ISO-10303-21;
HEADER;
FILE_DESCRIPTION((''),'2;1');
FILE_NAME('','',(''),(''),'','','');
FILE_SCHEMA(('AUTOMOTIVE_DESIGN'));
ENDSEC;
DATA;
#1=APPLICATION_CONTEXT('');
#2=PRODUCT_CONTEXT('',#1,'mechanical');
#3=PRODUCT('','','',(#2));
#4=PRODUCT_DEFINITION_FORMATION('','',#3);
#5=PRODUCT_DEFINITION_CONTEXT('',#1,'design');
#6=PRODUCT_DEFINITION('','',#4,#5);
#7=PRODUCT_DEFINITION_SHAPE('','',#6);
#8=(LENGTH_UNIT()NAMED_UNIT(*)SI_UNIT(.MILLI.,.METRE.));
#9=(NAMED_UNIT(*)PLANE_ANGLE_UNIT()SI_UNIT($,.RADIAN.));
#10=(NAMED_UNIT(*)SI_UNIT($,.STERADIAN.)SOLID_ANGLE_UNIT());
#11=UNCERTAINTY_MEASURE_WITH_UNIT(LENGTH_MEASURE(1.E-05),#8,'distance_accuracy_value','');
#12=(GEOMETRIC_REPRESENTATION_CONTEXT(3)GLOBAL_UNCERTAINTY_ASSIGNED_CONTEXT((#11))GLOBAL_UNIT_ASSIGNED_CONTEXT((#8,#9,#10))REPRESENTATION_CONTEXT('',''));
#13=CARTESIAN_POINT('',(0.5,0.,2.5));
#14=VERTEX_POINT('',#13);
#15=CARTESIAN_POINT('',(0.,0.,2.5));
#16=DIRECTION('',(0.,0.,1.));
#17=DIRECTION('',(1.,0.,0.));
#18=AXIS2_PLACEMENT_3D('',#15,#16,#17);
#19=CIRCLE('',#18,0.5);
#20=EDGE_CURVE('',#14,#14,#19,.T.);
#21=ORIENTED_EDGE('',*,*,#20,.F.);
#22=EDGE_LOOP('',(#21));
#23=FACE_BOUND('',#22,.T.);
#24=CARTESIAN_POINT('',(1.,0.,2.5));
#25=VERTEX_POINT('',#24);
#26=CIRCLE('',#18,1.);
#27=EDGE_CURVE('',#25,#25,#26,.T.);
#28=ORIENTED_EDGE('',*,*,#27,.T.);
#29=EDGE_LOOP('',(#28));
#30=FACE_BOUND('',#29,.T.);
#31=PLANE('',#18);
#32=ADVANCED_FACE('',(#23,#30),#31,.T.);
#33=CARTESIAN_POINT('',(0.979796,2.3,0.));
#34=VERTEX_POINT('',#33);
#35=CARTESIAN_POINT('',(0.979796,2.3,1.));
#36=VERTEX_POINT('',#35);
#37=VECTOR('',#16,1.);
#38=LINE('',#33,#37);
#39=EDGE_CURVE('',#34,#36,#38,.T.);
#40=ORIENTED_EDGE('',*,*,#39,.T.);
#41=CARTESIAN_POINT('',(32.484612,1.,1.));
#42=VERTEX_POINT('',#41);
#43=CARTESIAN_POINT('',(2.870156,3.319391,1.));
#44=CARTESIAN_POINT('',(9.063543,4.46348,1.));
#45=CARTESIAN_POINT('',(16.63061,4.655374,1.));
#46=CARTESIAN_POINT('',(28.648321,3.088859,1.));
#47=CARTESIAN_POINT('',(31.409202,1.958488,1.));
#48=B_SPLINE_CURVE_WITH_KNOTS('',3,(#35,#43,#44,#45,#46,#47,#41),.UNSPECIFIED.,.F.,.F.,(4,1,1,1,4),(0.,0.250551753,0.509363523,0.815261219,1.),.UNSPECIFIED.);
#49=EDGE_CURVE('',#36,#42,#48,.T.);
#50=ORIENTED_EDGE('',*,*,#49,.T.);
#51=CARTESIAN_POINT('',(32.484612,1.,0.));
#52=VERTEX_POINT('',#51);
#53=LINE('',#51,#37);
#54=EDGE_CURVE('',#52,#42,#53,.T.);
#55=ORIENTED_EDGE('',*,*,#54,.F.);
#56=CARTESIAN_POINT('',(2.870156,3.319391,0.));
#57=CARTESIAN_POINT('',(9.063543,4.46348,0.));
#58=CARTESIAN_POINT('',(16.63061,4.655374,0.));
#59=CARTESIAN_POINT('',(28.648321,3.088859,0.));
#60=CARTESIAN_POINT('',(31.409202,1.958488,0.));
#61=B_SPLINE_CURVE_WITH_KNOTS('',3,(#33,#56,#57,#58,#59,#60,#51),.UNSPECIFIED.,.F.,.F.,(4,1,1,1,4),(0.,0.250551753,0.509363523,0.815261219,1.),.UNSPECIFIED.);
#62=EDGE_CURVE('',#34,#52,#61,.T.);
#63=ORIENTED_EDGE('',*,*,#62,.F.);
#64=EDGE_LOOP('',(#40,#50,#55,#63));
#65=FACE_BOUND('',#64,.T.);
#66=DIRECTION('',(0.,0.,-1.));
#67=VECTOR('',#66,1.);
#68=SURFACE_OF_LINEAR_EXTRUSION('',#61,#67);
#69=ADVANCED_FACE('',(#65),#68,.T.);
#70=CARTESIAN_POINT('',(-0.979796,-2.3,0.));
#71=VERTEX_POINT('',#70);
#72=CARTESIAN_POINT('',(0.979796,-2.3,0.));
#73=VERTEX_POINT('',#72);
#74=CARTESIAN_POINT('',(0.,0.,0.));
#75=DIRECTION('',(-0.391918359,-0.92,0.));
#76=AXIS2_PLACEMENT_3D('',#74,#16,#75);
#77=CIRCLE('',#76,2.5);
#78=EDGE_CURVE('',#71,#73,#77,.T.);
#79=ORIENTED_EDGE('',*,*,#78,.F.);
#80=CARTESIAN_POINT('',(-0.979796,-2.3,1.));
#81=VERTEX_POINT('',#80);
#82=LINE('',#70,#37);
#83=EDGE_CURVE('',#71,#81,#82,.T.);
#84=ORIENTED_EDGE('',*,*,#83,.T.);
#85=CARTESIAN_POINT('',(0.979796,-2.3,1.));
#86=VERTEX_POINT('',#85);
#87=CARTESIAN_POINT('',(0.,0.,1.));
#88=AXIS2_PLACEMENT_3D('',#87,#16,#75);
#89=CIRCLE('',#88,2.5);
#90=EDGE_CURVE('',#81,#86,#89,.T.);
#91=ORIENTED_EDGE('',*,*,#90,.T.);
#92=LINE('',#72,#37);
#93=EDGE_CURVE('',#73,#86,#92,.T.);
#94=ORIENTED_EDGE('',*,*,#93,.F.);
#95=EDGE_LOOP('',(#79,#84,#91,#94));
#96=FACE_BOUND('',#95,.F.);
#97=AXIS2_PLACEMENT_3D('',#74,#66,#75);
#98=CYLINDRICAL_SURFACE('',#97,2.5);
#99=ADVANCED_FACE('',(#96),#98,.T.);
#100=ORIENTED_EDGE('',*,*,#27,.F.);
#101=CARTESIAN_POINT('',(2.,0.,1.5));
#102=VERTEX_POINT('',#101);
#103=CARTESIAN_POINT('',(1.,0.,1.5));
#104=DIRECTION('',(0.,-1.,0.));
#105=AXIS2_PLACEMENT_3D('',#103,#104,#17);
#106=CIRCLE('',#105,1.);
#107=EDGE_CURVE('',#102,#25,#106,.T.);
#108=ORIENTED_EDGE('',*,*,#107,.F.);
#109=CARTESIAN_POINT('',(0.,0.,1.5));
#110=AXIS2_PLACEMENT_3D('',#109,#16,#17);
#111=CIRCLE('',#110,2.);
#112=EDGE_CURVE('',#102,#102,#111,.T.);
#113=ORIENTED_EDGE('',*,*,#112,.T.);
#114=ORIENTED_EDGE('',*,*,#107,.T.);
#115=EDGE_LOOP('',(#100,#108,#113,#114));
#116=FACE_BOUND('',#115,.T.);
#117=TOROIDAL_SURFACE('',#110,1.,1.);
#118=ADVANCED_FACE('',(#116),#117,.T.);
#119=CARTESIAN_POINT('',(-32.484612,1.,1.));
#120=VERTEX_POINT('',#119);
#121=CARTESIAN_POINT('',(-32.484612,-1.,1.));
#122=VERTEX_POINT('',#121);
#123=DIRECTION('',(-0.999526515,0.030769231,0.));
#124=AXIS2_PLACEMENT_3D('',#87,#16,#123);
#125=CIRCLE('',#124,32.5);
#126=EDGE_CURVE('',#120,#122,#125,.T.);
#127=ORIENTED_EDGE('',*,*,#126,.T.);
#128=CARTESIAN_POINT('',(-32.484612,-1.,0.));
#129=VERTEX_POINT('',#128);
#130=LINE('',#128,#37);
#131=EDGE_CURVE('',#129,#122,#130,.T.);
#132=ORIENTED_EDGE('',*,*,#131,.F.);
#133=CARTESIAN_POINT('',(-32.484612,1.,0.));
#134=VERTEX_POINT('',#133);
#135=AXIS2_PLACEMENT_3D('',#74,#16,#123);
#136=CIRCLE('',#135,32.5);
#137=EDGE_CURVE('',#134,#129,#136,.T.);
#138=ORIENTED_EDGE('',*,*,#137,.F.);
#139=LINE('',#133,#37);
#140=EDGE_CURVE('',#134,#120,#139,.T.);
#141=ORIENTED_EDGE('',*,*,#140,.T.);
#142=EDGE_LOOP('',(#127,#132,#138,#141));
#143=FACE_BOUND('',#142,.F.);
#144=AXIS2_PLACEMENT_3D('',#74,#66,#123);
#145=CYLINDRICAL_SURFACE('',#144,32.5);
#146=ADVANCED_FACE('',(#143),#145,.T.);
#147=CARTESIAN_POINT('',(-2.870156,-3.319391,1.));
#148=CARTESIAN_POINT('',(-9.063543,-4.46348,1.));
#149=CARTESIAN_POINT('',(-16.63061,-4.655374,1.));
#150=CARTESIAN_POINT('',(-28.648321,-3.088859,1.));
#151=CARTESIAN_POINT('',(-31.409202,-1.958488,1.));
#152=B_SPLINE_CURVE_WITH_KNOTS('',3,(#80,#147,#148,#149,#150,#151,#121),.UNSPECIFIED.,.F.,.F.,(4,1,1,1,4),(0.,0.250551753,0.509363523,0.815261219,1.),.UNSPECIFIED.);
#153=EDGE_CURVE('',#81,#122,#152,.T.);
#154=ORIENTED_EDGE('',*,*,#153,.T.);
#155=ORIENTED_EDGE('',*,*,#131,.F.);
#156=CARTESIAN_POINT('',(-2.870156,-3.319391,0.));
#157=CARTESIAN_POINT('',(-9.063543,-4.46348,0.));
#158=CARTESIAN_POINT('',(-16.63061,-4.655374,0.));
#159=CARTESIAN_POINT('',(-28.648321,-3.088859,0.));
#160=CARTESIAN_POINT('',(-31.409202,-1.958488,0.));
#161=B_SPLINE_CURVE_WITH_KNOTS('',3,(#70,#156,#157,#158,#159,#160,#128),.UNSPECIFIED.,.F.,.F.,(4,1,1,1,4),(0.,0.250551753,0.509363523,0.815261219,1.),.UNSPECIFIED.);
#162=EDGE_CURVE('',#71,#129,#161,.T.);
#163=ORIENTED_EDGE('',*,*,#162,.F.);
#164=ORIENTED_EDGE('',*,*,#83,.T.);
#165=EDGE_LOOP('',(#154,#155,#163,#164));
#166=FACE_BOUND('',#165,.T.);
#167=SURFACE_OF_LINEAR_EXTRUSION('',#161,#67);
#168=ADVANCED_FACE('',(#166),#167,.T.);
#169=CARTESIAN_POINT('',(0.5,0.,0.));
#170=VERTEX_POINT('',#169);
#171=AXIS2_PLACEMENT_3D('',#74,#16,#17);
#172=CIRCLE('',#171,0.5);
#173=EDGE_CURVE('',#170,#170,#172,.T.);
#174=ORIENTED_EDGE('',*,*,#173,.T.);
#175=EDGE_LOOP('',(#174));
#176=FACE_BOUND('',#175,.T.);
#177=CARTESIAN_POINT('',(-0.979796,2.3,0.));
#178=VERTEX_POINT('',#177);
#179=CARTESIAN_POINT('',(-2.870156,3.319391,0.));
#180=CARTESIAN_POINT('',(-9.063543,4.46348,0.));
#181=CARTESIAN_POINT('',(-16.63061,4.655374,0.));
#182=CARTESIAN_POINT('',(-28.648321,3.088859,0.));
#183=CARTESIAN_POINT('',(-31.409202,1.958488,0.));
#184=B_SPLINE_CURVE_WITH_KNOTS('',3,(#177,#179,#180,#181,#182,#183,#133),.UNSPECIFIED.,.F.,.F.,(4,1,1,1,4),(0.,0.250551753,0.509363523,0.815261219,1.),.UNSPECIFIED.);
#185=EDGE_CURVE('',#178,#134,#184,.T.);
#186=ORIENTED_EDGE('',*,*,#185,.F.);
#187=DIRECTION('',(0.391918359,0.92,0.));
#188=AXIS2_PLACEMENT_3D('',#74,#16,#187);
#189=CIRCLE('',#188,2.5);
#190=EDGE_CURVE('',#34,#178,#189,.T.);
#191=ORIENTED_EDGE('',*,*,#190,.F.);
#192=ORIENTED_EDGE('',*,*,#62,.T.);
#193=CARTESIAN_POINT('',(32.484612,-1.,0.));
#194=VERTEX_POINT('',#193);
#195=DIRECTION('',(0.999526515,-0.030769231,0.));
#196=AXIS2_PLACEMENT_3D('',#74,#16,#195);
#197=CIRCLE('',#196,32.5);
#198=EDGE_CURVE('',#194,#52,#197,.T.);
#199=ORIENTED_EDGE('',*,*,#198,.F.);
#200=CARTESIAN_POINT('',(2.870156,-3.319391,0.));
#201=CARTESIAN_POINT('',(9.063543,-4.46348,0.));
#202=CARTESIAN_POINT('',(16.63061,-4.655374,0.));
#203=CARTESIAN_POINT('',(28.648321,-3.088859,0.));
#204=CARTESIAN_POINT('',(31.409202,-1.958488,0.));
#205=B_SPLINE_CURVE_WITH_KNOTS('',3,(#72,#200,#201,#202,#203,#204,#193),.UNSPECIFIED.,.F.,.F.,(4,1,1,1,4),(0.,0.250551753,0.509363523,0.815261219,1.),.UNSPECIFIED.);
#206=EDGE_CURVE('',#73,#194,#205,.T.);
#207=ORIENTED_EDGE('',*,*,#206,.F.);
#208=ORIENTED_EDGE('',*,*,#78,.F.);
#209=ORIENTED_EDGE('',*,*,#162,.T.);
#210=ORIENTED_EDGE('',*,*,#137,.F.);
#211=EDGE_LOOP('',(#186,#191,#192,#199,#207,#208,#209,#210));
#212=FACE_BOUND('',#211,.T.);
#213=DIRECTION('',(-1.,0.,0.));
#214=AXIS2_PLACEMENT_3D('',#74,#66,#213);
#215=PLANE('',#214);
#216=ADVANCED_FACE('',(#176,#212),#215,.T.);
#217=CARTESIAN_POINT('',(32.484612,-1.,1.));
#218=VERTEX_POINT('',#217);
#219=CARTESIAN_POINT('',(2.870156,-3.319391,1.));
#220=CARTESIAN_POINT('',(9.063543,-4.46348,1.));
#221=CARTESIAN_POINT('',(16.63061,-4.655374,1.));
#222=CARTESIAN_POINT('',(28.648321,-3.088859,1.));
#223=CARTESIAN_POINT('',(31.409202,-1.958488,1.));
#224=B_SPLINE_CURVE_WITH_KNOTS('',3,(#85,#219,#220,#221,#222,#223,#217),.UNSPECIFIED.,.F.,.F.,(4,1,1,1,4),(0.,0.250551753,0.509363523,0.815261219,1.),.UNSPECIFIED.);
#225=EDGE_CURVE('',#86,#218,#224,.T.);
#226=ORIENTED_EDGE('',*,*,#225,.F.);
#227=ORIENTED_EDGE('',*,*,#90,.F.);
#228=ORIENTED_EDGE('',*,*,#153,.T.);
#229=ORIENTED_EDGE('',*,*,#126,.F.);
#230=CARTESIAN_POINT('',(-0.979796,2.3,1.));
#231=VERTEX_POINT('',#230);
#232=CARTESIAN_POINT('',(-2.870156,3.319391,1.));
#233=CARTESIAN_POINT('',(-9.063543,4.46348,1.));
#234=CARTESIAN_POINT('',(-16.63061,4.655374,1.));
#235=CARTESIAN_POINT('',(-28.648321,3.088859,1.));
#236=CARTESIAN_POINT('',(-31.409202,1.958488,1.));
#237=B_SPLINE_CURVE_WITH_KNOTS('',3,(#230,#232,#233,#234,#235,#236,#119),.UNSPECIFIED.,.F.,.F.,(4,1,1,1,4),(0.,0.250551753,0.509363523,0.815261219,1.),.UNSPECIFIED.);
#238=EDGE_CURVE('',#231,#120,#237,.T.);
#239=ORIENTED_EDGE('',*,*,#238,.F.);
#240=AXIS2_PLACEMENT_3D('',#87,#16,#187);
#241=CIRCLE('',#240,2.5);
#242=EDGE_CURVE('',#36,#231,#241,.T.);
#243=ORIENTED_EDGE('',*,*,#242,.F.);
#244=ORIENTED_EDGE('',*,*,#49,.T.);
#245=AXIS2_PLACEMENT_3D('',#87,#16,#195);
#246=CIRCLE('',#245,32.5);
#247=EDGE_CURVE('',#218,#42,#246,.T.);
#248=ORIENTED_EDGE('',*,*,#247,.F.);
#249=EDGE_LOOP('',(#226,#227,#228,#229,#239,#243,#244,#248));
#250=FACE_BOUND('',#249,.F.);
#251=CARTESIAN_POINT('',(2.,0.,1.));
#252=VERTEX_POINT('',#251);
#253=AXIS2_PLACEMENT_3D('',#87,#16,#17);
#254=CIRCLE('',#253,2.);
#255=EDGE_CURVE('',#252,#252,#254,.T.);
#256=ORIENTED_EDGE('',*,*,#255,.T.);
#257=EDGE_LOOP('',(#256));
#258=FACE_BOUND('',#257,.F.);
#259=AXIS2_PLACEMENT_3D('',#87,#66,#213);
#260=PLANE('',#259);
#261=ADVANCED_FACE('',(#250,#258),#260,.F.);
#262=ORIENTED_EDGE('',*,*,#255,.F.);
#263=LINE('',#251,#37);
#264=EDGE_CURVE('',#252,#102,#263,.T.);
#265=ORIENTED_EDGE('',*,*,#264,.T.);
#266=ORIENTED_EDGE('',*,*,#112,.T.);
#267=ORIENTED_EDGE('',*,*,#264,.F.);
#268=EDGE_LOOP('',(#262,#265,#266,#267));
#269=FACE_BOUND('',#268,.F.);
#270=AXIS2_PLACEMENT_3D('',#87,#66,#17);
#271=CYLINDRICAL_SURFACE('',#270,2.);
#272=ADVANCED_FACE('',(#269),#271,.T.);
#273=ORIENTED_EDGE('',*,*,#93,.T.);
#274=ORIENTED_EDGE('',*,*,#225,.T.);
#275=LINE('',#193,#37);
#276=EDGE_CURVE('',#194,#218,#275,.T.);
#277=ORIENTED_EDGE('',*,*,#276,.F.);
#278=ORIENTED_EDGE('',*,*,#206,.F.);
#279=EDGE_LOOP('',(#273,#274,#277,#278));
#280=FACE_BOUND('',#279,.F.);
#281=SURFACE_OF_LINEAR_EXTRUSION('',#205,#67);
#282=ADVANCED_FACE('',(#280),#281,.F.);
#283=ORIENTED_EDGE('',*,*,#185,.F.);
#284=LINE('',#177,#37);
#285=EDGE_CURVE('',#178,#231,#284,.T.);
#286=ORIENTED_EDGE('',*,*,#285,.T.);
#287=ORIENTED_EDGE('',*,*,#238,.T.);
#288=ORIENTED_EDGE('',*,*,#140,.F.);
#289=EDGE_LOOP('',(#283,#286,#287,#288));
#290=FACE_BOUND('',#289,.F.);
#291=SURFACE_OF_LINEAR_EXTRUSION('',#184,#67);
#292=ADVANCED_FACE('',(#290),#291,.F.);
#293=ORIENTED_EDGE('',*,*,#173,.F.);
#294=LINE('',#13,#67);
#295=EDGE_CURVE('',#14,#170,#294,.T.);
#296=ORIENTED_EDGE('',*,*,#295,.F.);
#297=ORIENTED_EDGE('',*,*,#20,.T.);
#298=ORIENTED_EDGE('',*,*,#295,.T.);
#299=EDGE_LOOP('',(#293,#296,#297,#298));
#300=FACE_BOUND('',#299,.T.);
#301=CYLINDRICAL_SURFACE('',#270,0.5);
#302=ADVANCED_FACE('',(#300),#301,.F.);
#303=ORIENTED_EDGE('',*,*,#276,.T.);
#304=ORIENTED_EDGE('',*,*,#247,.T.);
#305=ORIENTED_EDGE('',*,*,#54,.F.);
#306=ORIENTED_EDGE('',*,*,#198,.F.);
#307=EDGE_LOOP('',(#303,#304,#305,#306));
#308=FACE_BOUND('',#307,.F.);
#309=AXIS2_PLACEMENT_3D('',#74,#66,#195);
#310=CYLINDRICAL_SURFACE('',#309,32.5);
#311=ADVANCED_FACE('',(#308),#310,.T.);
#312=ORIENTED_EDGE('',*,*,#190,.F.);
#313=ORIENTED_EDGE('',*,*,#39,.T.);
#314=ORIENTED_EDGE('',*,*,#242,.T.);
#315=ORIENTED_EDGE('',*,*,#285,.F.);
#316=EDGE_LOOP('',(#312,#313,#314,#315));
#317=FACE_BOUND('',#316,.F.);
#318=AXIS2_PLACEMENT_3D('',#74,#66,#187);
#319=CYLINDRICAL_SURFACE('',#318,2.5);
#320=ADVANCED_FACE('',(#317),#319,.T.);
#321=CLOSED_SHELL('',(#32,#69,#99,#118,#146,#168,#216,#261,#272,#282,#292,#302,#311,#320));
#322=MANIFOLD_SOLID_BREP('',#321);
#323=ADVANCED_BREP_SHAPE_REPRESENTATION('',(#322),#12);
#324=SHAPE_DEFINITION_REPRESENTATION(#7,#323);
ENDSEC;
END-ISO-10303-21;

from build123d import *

# Parameters (mm, degrees)
F0_R     = 0.5
F1_DEPTH = 1
F2_R     = 2
F2_R_2   = 0.5
F3_DEPTH = 1.5
F4_R     = 1


with BuildPart() as f1:
    # F0 (on Top) → F1 (new body)
    with BuildSketch(Plane.XY):
        with BuildLine():
            add(Edge.make_bspline(
                [(-0.9797958971, -2.3), (-2.8701558238, -3.3193906957), (-9.0635427866, -4.4634802029), (-16.6306103232, -4.6553743194), (-28.6483211521, -3.0888591027), (-31.4092017669, -1.9584880561), (-32.4846117416, -1)],
                knots=[0, 0, 0, 0, 0.2505517534, 0.5093635228, 0.8152612188, 1, 1, 1, 1], degree=3))
            ThreePointArc((-0.9797958971, -2.3), (0, -2.5), (0.9797958971, -2.3))
            add(Edge.make_bspline(
                [(0.9797958971, -2.3), (2.8701558238, -3.3193906957), (9.0635427866, -4.4634802029), (16.6306103232, -4.6553743194), (28.6483211521, -3.0888591027), (31.4092017669, -1.9584880561), (32.4846117416, -1)],
                knots=[0, 0, 0, 0, 0.2505517534, 0.5093635228, 0.8152612188, 1, 1, 1, 1], degree=3))
            ThreePointArc((32.4846117416, -1), (32.5, 0), (32.4846117416, 1))
            add(Edge.make_bspline(
                [(0.9797958971, 2.3), (2.8701558238, 3.3193906957), (9.0635427866, 4.4634802029), (16.6306103232, 4.6553743194), (28.6483211521, 3.0888591027), (31.4092017669, 1.9584880561), (32.4846117416, 1)],
                knots=[0, 0, 0, 0, 0.2505517534, 0.5093635228, 0.8152612188, 1, 1, 1, 1], degree=3))
            ThreePointArc((0.9797958971, 2.3), (0, 2.5), (-0.9797958971, 2.3))
            add(Edge.make_bspline(
                [(-0.9797958971, 2.3), (-2.8701558238, 3.3193906957), (-9.0635427866, 4.4634802029), (-16.6306103232, 4.6553743194), (-28.6483211521, 3.0888591027), (-31.4092017669, 1.9584880561), (-32.4846117416, 1)],
                knots=[0, 0, 0, 0, 0.2505517534, 0.5093635228, 0.8152612188, 1, 1, 1, 1], degree=3))
            ThreePointArc((-32.4846117416, 1), (-32.5, 0), (-32.4846117416, -1))
        make_face()
        Circle(F0_R, mode=Mode.SUBTRACT)
    extrude(amount=F1_DEPTH)

    # F2 (on face) → F3 (join)
    with BuildSketch(Plane.XY.offset(1)):
        Circle(F2_R)
        Circle(F2_R_2, mode=Mode.SUBTRACT)
    extrude(amount=F3_DEPTH)

    # F4
    f4_edges = [f1.edges().sort_by_distance(p)[0] for p in [
        (-2, 0, 2.5),
    ]]
    fillet(f4_edges, radius=F4_R)


solid = f1.part
